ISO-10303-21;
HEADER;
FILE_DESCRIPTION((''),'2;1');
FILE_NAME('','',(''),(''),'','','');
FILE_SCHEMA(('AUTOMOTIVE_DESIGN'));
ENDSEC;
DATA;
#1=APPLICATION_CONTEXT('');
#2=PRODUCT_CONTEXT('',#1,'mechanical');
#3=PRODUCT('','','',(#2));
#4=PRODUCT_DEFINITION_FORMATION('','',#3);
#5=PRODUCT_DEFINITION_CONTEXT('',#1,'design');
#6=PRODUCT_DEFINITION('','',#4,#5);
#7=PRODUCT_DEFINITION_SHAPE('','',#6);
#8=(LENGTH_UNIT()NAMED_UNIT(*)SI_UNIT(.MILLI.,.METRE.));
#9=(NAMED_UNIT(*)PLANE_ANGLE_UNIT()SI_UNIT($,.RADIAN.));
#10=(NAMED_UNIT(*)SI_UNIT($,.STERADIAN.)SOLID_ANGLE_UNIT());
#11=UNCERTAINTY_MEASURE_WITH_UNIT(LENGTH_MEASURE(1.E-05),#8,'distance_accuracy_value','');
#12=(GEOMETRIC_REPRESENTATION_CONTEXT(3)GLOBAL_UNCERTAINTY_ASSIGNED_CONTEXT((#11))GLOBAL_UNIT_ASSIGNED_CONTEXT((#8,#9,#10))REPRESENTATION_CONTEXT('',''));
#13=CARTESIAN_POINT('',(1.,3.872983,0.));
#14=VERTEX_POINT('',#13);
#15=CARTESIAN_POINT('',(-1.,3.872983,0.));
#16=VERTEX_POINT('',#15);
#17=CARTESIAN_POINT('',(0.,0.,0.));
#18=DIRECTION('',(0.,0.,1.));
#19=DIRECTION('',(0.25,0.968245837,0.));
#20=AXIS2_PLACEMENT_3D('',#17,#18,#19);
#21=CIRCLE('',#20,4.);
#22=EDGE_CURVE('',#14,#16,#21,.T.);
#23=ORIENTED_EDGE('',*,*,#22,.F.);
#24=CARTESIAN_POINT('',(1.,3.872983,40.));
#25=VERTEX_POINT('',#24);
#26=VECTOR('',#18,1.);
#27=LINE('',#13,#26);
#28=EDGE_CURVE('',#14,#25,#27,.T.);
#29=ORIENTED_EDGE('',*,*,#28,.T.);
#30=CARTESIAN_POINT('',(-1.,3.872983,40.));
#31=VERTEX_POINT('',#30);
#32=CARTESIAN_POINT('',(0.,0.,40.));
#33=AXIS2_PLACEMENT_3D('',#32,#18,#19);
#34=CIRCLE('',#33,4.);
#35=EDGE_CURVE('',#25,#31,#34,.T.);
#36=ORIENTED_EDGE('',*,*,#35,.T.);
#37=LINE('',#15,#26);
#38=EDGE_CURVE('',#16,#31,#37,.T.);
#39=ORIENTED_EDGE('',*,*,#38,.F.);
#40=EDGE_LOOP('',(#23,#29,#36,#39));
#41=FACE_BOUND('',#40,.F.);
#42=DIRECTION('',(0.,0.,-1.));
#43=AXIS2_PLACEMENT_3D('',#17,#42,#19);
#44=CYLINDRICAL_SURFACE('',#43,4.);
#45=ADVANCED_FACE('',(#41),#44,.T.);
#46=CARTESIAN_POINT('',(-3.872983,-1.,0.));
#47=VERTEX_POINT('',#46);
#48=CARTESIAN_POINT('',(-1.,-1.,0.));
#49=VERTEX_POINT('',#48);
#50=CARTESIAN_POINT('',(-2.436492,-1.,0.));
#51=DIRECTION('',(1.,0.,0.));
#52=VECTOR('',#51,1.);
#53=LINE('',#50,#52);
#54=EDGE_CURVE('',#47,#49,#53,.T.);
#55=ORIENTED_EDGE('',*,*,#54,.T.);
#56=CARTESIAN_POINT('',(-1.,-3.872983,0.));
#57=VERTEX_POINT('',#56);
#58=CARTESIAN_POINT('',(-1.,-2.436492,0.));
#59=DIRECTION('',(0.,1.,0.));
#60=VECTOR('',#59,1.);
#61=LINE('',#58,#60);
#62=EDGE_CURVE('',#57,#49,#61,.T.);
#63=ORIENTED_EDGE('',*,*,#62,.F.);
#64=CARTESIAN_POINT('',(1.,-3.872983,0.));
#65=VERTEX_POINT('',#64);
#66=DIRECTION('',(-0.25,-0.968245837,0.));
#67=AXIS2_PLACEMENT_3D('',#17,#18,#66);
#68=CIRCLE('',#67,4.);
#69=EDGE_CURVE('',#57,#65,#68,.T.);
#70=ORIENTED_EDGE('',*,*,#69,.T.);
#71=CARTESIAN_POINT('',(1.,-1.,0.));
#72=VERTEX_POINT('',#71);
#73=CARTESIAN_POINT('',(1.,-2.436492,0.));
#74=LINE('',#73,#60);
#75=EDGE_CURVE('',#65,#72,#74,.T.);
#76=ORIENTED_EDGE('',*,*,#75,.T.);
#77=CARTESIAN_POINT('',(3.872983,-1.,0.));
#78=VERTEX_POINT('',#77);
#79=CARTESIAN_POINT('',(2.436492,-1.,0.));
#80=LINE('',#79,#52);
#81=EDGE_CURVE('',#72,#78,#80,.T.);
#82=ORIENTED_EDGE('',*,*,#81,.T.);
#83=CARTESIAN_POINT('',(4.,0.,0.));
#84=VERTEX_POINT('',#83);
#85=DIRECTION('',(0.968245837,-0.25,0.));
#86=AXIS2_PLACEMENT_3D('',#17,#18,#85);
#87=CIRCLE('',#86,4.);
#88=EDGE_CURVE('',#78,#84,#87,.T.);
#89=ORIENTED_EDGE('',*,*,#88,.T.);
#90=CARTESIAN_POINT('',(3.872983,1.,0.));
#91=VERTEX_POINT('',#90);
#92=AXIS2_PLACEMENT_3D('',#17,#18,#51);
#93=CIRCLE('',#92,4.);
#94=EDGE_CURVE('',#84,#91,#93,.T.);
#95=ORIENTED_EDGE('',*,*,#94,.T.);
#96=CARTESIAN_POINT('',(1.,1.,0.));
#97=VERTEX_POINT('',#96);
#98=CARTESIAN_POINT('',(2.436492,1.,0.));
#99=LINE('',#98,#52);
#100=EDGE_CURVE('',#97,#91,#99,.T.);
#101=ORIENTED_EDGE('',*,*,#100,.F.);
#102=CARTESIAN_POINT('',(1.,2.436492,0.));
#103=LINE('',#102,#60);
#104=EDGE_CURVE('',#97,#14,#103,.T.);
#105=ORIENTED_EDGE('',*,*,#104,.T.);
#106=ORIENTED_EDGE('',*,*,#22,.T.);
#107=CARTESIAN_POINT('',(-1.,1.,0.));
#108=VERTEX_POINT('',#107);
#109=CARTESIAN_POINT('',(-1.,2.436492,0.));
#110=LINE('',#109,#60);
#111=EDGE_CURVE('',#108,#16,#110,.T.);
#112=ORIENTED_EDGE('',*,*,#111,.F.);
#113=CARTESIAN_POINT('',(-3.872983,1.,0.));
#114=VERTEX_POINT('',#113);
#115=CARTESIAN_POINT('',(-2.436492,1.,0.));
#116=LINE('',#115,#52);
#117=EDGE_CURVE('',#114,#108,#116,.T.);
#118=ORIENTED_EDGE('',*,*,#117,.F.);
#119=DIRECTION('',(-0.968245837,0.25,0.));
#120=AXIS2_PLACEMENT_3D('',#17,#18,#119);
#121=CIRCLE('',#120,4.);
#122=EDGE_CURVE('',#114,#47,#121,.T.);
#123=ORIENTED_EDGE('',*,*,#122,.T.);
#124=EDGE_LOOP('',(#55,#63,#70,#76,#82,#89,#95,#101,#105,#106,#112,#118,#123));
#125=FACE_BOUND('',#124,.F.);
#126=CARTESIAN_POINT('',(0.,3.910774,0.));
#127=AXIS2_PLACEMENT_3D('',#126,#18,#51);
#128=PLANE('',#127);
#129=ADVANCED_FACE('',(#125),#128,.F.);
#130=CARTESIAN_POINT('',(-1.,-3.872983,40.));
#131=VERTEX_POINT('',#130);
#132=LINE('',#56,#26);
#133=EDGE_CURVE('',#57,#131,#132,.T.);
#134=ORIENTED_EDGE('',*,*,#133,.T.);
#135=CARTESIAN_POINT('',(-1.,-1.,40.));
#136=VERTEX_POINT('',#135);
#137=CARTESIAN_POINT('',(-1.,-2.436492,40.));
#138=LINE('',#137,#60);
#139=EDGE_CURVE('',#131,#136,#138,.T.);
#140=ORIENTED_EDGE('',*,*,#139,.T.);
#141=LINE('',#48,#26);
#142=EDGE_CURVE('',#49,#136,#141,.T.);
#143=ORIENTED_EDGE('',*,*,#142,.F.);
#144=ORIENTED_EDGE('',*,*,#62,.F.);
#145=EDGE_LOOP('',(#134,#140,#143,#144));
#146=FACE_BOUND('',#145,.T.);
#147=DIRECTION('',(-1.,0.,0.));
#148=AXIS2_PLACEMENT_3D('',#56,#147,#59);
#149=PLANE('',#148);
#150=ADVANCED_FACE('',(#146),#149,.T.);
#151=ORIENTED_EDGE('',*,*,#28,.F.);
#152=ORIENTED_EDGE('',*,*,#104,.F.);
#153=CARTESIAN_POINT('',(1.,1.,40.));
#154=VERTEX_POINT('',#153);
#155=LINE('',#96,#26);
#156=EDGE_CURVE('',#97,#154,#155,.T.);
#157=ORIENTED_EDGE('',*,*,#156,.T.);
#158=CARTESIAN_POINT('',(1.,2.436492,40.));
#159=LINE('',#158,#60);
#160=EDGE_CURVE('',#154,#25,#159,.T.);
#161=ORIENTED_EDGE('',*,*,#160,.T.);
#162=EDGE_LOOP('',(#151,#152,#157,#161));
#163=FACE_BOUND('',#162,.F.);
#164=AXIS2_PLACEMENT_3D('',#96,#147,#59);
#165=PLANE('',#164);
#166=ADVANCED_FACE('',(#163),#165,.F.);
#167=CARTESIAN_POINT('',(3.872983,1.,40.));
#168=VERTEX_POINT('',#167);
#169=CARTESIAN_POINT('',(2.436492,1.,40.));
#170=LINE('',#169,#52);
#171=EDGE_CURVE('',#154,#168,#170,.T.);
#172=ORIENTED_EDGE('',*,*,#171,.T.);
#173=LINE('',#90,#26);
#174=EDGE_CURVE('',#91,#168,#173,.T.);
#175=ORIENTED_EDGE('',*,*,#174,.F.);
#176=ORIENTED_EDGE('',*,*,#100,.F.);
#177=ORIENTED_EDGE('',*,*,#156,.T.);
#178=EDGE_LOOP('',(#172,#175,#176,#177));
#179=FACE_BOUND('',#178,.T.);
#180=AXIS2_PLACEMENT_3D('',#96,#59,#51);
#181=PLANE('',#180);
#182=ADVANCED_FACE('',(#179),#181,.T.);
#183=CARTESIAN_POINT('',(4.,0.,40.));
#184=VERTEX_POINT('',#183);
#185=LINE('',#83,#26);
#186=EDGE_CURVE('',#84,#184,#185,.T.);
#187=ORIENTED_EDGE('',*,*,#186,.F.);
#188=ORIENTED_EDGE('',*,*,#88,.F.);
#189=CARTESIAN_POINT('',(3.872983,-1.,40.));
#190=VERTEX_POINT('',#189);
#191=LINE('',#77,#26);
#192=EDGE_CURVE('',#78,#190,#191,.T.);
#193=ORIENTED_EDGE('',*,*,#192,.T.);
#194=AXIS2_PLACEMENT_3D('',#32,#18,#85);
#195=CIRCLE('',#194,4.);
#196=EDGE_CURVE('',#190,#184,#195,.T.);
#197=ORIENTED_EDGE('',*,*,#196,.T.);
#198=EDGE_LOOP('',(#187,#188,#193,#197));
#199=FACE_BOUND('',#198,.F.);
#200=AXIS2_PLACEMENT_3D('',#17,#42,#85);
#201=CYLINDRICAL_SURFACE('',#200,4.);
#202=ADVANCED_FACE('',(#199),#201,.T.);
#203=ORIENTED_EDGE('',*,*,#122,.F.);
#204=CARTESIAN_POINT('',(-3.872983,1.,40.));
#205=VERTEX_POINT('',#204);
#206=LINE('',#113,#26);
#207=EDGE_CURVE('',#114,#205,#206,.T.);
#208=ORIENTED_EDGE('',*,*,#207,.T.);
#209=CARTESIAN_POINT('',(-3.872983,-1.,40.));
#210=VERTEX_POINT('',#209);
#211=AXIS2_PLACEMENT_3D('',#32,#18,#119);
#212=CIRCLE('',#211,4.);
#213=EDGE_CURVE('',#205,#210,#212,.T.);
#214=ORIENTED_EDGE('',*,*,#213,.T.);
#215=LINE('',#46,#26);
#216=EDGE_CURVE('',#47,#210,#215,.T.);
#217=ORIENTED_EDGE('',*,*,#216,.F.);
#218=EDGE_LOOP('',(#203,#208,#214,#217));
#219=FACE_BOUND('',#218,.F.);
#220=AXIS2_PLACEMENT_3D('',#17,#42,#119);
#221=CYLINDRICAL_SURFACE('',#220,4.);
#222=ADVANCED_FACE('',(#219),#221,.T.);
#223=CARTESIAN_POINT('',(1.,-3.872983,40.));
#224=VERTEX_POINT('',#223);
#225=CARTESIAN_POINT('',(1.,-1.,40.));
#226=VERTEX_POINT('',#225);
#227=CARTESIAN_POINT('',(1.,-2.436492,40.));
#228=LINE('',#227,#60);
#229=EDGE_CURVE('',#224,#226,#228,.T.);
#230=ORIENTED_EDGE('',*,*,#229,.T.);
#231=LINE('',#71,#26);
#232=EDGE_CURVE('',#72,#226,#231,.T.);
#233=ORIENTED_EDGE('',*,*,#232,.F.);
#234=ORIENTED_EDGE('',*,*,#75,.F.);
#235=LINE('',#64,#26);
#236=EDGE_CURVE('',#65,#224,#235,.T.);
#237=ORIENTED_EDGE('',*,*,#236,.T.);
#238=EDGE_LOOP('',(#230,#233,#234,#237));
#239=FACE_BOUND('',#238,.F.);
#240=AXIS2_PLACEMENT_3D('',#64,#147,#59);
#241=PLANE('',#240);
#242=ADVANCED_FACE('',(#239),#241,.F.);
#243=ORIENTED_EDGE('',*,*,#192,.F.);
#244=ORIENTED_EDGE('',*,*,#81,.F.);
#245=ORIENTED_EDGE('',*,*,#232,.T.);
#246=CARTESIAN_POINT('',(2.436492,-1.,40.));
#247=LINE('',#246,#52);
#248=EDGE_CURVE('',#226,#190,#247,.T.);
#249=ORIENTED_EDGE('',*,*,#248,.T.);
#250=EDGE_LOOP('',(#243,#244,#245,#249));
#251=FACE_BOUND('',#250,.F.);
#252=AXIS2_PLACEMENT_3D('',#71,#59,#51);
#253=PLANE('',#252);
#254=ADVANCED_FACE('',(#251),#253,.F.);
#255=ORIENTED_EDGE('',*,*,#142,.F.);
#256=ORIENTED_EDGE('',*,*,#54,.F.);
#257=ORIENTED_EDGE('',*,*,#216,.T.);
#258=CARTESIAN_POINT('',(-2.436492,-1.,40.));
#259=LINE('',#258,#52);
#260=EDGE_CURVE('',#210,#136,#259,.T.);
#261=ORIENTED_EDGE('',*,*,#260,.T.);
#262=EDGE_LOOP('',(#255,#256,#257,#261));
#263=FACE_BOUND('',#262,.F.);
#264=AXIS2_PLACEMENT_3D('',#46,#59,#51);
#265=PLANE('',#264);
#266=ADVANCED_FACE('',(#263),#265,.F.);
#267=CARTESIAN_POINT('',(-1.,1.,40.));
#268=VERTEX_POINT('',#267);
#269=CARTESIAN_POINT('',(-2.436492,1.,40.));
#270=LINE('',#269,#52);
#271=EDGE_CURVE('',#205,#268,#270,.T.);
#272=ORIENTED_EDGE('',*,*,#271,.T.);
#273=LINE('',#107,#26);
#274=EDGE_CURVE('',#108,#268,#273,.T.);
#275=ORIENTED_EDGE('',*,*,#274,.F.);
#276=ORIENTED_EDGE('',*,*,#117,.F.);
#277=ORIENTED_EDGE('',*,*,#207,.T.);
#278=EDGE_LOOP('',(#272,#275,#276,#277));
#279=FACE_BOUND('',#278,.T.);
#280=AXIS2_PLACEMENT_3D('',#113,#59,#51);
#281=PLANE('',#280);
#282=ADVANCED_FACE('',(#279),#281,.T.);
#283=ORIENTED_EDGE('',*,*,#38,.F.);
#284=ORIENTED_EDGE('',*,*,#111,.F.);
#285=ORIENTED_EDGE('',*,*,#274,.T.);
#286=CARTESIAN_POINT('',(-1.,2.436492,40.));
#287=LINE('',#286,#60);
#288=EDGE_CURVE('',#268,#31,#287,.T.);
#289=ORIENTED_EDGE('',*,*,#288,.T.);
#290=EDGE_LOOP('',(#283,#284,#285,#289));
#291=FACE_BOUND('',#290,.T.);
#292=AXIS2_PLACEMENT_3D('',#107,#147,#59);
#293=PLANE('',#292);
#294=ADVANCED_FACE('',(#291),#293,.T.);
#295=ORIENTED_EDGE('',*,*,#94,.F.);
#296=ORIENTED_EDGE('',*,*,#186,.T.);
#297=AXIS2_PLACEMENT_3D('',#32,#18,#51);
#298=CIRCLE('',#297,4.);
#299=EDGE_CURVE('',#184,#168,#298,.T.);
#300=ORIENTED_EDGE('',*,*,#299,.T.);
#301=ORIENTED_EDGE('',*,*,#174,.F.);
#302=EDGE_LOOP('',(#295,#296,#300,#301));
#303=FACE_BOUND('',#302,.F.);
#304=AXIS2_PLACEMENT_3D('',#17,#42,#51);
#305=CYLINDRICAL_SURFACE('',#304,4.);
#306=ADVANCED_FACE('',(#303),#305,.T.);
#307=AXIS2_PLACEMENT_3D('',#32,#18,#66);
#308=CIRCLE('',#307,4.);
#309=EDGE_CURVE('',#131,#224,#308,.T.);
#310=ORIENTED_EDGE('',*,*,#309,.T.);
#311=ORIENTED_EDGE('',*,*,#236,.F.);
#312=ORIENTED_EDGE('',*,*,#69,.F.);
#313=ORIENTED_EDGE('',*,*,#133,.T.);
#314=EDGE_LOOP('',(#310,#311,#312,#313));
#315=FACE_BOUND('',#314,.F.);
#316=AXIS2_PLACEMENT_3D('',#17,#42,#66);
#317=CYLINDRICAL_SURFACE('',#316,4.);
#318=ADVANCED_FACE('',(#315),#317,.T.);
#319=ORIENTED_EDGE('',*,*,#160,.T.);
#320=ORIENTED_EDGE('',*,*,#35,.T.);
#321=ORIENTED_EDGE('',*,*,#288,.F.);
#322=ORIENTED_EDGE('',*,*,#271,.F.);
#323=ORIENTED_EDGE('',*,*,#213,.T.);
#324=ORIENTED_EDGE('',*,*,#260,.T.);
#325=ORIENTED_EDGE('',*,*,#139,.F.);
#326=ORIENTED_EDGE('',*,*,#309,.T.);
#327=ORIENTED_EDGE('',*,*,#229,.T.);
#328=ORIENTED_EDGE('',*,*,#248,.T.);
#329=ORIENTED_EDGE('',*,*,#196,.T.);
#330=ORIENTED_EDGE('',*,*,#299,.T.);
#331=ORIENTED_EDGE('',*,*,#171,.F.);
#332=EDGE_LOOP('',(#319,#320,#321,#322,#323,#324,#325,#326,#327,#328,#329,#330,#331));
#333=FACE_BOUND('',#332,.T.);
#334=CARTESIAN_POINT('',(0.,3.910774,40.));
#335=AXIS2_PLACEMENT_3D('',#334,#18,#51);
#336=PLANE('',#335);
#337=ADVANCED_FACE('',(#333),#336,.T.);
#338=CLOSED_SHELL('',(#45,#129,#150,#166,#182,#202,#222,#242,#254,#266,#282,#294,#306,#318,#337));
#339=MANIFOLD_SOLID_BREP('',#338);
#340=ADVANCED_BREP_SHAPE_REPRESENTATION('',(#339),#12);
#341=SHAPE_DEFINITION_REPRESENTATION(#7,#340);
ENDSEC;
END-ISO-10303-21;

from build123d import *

# Parameters (mm, degrees)
F0_W     = 2.8729833462
F0_H     = 2
F0_W_2   = 2
F0_H_2   = 2.8729833462
F1_DEPTH = 40


with BuildPart() as f1:
    # F0 (on Top) → F1 (new body)
    with BuildSketch(Plane.XY):
        with BuildLine():
            Line((-1, 3.8729833462), (1, 3.8729833462))
            ThreePointArc((1, 3.8729833462), (0, 4), (-1, 3.8729833462))
        make_face()
        with BuildLine():
            Line((-3.8729833462, -1), (-3.8729833462, 1))
            ThreePointArc((-3.8729833462, 1), (-4, 0), (-3.8729833462, -1))
        make_face()
        with BuildLine():
            ThreePointArc((-1, -3.8729833462), (0, -4), (1, -3.8729833462))
            Line((1, -3.8729833462), (-1, -3.8729833462))
        make_face()
        with BuildLine():
            ThreePointArc((3.8729833462, -1), (3.9681187851, -0.5040171699), (4, 0))
            ThreePointArc((4, 0), (3.9681187851, 0.5040171699), (3.8729833462, 1))
            Line((3.8729833462, 1), (3.8729833462, -1))
        make_face()
        with Locations((2.4364916731, 0)):
            Rectangle(F0_W, F0_H)
        with Locations((0, -2.4364916731)):
            Rectangle(F0_W_2, F0_H_2)
        with Locations((-2.4364916731, 0)):
            Rectangle(F0_W, F0_H)
        with Locations((0, 2.4364916731)):
            Rectangle(F0_W_2, F0_H_2)
        Rectangle(F0_W_2, F0_H)
    extrude(amount=F1_DEPTH)


solid = f1.part
